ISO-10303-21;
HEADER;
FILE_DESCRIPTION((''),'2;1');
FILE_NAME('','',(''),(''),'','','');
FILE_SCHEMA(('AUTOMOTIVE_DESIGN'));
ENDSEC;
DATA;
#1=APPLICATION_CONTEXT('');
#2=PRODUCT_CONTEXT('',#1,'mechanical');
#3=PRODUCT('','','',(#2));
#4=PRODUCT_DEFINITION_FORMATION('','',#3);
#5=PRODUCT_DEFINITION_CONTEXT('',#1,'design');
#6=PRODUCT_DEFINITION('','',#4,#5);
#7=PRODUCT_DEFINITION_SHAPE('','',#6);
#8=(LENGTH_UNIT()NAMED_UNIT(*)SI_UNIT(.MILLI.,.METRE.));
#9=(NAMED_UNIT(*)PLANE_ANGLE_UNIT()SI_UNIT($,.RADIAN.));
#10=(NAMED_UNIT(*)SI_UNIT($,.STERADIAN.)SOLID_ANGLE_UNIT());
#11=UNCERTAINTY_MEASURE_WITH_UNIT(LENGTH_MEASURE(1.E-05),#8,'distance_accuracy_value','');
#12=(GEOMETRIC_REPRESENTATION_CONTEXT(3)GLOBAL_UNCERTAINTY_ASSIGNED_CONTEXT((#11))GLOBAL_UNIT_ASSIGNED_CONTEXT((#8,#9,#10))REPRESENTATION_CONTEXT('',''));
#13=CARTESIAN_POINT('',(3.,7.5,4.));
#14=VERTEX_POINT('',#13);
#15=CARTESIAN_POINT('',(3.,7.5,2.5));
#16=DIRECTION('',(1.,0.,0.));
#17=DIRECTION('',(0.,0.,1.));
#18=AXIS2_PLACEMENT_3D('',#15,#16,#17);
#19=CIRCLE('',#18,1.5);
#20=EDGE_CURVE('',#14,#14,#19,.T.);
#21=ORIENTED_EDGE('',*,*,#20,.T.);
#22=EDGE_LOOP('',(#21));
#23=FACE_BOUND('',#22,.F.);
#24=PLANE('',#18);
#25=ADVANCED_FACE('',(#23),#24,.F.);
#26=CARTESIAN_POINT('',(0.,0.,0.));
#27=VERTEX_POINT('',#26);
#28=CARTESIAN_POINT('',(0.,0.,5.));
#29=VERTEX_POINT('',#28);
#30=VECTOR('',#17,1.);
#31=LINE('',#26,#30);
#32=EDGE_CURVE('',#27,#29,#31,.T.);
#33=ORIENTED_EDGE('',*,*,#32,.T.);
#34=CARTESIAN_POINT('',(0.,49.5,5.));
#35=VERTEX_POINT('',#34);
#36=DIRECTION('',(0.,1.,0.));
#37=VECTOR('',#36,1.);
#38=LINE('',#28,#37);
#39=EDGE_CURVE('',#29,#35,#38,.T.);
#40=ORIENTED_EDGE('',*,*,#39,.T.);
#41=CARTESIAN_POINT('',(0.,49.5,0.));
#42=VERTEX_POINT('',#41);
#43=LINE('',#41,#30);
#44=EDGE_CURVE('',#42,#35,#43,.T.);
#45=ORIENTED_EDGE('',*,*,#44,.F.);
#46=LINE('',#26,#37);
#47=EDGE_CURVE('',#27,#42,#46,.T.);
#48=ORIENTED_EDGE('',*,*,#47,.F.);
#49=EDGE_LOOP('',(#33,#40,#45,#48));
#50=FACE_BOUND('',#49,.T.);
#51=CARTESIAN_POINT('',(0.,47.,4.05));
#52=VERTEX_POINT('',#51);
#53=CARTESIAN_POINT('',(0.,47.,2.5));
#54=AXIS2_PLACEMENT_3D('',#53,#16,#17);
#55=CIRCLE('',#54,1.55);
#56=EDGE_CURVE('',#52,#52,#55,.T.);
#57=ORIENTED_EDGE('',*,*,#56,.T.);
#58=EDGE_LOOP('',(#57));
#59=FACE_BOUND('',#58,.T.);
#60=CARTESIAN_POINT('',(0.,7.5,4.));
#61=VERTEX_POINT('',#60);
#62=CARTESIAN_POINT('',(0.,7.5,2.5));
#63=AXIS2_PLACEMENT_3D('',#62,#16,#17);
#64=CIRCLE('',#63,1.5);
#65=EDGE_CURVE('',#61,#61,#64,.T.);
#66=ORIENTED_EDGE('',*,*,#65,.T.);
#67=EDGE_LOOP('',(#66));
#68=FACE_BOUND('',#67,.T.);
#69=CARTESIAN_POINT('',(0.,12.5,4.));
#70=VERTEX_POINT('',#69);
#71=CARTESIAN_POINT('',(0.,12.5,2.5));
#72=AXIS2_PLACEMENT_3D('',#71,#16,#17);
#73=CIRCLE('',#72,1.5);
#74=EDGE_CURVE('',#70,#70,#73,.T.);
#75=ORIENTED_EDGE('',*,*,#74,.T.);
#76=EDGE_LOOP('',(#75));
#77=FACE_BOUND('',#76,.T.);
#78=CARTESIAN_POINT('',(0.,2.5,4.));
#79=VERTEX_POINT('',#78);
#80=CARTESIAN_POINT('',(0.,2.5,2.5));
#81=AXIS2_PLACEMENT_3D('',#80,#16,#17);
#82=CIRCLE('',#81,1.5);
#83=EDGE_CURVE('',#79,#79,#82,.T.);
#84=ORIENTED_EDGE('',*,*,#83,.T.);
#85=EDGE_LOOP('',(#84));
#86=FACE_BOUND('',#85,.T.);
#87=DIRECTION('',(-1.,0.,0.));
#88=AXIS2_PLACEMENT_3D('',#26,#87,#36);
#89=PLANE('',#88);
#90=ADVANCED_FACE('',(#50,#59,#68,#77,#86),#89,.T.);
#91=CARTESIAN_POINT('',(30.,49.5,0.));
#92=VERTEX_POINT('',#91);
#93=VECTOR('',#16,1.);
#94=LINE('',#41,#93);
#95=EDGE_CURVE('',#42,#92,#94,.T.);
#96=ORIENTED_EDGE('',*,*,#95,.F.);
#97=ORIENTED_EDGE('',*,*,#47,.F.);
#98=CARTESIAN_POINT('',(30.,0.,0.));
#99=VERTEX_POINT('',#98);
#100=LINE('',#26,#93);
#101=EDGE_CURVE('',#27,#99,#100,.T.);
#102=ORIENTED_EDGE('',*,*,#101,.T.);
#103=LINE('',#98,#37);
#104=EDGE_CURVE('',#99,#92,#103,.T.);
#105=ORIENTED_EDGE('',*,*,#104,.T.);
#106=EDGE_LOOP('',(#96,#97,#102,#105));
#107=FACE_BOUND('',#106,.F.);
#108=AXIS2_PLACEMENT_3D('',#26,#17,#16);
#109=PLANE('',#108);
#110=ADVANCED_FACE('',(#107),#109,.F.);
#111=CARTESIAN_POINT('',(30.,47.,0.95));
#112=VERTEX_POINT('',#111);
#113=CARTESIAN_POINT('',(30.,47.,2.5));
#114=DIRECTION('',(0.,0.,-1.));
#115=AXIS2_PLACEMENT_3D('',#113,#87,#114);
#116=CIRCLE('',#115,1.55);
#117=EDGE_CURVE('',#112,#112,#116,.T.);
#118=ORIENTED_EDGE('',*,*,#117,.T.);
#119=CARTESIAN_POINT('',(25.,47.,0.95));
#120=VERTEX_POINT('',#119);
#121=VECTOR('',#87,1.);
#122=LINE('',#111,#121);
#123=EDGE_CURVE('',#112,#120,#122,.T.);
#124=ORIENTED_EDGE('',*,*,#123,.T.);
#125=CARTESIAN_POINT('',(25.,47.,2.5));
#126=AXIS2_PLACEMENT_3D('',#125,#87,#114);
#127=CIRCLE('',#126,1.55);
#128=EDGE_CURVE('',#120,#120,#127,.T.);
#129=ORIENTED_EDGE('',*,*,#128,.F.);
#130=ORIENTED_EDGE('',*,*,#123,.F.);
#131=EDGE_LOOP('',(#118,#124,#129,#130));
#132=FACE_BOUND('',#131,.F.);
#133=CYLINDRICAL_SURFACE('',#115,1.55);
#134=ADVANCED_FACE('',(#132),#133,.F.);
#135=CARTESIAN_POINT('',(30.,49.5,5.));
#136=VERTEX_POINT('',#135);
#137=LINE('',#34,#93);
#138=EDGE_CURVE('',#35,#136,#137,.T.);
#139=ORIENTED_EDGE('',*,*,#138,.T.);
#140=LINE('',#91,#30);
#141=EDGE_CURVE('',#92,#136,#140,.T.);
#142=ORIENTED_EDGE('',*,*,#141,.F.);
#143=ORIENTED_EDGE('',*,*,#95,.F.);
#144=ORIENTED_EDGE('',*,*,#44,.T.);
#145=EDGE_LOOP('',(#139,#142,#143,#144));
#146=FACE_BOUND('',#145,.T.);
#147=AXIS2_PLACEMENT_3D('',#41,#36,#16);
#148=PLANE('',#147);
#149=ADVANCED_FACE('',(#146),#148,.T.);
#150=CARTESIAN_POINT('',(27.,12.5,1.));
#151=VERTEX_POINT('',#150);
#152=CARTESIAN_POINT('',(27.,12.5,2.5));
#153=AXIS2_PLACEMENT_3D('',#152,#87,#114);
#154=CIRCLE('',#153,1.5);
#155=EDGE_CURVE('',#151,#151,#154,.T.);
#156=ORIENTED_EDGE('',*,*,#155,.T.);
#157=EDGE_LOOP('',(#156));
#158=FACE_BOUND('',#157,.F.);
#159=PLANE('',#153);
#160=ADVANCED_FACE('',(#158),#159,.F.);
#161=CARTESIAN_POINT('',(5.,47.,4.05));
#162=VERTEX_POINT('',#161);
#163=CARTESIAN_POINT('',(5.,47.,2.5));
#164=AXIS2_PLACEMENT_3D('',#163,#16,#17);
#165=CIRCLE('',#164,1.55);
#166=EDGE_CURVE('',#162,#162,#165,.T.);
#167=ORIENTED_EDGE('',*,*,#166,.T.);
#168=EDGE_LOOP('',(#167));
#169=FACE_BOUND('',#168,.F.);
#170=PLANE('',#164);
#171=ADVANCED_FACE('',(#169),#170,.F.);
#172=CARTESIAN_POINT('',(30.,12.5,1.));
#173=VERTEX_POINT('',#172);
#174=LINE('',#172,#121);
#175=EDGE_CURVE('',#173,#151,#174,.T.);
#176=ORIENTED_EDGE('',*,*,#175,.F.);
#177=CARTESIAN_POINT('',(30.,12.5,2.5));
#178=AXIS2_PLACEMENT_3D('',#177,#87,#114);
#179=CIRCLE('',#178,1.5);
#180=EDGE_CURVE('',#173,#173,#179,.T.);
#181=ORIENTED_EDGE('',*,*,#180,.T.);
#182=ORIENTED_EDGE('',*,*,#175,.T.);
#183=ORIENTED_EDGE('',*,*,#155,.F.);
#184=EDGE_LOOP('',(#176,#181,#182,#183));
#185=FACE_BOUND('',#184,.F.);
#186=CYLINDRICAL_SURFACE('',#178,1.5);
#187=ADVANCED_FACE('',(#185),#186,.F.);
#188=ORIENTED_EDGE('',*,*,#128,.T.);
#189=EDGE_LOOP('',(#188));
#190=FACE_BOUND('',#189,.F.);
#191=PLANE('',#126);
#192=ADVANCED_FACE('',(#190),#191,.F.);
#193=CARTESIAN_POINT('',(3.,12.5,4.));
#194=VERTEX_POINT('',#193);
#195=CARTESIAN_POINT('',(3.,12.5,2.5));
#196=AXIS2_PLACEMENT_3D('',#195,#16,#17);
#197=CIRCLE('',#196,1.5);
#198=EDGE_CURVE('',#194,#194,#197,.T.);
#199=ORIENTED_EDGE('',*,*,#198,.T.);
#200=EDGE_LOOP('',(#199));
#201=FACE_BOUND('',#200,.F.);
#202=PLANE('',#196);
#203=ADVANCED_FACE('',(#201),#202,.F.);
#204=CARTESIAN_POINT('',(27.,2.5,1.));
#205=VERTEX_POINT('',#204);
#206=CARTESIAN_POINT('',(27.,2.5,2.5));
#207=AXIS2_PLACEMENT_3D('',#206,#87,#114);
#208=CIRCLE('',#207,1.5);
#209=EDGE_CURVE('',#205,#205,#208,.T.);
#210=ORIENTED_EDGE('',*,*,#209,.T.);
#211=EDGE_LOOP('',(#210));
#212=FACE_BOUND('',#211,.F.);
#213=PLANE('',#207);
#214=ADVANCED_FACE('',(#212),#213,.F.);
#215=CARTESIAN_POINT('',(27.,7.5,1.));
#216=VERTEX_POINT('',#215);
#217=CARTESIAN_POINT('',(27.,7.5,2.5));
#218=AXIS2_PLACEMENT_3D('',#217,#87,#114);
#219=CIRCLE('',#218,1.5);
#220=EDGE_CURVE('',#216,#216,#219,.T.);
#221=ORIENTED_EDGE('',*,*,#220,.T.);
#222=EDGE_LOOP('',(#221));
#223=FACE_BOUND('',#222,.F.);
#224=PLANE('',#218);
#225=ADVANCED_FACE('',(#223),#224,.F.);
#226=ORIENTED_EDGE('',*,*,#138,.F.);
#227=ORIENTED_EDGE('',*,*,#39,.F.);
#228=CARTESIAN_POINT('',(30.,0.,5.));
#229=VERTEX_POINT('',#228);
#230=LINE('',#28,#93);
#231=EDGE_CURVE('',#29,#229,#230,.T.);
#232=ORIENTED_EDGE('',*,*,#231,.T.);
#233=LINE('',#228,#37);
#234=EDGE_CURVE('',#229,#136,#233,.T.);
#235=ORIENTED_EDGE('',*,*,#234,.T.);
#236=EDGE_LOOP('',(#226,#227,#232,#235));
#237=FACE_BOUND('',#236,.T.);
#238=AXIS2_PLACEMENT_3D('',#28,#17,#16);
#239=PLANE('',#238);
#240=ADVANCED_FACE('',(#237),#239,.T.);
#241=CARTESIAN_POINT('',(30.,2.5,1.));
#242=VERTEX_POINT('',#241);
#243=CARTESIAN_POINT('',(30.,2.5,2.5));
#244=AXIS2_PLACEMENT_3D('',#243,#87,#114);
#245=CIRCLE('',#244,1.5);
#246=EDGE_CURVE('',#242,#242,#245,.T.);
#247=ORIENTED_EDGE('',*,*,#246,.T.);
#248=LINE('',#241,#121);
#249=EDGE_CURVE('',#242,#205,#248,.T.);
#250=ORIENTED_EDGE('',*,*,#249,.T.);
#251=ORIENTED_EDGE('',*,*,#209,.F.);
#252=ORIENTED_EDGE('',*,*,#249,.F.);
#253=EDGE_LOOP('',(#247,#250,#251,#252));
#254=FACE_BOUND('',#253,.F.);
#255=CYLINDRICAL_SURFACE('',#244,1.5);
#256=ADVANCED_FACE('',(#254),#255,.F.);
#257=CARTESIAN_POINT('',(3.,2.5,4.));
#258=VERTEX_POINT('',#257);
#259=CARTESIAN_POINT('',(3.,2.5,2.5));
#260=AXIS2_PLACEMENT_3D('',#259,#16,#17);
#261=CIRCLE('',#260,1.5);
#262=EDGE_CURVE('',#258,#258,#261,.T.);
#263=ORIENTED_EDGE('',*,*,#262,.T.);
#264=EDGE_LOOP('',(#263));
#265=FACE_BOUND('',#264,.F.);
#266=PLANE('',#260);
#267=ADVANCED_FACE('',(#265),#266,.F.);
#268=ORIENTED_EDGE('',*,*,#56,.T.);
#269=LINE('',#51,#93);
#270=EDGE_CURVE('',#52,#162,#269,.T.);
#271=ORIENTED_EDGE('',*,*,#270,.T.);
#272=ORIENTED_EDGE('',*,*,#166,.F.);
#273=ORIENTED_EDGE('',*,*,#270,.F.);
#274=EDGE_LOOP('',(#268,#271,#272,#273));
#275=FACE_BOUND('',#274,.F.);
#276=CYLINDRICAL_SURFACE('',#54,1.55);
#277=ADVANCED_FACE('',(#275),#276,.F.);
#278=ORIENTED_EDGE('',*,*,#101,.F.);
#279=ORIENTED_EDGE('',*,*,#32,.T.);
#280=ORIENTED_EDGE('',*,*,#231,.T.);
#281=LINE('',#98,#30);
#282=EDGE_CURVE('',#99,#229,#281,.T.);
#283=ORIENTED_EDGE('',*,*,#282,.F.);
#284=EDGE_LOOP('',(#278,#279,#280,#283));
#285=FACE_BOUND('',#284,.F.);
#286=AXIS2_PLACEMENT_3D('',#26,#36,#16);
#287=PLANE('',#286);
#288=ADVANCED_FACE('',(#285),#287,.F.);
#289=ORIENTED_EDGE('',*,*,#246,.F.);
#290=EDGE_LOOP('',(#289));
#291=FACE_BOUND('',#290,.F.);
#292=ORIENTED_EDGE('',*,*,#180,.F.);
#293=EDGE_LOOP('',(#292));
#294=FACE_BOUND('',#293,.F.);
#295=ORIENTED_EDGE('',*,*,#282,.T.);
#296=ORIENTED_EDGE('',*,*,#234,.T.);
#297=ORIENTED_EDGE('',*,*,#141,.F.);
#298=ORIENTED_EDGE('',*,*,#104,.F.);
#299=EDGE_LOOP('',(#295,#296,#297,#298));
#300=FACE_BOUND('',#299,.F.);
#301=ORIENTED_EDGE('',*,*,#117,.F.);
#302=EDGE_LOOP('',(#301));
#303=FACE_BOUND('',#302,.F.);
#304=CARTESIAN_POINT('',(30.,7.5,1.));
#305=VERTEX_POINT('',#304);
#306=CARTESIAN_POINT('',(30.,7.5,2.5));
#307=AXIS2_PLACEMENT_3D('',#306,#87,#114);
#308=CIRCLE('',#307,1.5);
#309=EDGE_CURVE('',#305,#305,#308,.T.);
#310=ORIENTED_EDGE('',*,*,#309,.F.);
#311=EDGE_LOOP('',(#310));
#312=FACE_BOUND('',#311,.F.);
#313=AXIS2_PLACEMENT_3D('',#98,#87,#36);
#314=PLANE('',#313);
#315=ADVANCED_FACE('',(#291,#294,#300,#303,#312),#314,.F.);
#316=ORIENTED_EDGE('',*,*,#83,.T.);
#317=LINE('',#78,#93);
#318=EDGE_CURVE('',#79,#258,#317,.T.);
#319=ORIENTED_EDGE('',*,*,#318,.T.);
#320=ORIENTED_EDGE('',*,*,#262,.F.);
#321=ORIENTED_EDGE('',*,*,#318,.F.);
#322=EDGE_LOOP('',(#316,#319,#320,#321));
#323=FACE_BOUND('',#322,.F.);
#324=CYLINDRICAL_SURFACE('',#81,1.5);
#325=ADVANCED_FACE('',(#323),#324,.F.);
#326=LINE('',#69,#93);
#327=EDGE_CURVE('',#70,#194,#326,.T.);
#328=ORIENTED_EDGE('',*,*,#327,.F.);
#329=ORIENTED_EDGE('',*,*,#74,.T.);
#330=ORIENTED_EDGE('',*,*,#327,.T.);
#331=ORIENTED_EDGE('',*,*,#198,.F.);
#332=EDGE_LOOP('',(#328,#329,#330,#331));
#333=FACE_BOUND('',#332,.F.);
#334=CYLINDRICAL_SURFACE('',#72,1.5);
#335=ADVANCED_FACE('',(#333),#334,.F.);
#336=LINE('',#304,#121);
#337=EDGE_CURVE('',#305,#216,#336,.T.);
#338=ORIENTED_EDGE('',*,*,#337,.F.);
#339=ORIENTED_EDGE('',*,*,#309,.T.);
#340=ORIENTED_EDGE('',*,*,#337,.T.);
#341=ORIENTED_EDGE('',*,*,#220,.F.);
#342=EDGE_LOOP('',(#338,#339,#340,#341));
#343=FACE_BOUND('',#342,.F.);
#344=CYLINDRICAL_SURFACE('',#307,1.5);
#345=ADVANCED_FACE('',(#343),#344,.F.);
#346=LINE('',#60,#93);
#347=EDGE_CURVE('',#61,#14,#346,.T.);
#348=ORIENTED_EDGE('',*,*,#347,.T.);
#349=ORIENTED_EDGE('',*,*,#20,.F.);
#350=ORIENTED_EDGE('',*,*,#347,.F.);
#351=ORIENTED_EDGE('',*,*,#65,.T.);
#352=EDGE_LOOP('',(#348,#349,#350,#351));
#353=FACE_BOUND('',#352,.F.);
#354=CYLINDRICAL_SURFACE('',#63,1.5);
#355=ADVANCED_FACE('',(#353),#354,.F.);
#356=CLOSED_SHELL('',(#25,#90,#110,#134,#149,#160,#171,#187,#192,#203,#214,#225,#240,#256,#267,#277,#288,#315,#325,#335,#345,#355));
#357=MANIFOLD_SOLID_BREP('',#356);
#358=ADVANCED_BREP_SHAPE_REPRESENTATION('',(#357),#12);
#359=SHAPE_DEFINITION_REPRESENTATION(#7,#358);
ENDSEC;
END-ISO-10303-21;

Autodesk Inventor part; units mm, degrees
ref_plane "YZ Plane" through (0, 0, 0) normal (1, 0, 0) x (0, 1, 0)
ref_plane "XZ Plane" through (0, 0, 0) normal (0, 1, 0) x (-1, 0, 0)
ref_plane "XY Plane" through (0, 0, 0) normal (0, 0, 1) x (1, 0, 0)
sketch "スケッチ1" plane through (0, 0, 0) normal (0, 0, 1) x (1, 0, 0)
  line L0 (0, 49.5) -> (30, 49.5)
  line L1 (0, 0) -> (30, 0)
  line L2 (0, 0) -> (0, 49.5)
  line L3 (30, 0) -> (30, 49.5)
  dimension "d2" = 30
  dimension "d38" = 49.5
extrude "押し出し1" add sketch "スケッチ1" along normal blind 5
sketch "スケッチ4" plane through (30, 0, 0) normal (1, 0, 0) x (0, 0, -1)
  line L0 (0, 49.5) -> (-5, 49.5) projected
  line L1 (-2.5, 49.5) -> (-2.5, 0) construction
  line L2 (0, 0) -> (-5, 0) projected
  point P0 (0, 0)
  point P1 (-2.5, 47)
  point P2 (-2.5, 2.5)
  point P3 (-2.5, 7.5)
  point P4 (-2.5, 12.5)
  dimension "d22" = 2.5
  dimension "d40" = 2.5
  dimension "d41" = 5
  dimension "d42" = 5
hole "穴1" at (30, 47, 2.5) direction (-1, 0, 0) diameter 3.1 depth 5
sketch "スケッチ5" plane through (0, 0, 0) normal (-1, 0, 0) x (0, 0, 1)
  circle A0 centre (2.5, 47) radius 1.55 projected
  line L0 (0, 0) -> (5, 0) projected
  line L1 (2.5, 0) -> (2.5, 49.5) construction
  line L2 (0, 49.5) -> (5, 49.5) projected
  point P0 (2.5, 2.5)
  point P1 (2.5, 7.5)
  point P2 (2.5, 12.5)
  dimension "d50" = 2.5
  dimension "d51" = 5
  dimension "d52" = 5
hole "穴2" at (0, 47, 2.5) direction (1, 0, 0) diameter 3.1 depth 5
hole "穴5" at (30, 2.5, 2.5) at (30, 12.5, 2.5) at (30, 7.5, 2.5) direction (-1, 0, 0) diameter 3 depth 3
hole "穴6" at (0, 2.5, 2.5) at (0, 7.5, 2.5) at (0, 12.5, 2.5) direction (1, 0, 0) diameter 3 depth 3
equation "\"d41\" = d42"
equation "\"d50\" = d40"
equation "\"d51\" = d41"
equation "\"d52\" = d42"
properties part number "Cockpit_vertical_frame_07" material "アセタール樹脂、黒"
